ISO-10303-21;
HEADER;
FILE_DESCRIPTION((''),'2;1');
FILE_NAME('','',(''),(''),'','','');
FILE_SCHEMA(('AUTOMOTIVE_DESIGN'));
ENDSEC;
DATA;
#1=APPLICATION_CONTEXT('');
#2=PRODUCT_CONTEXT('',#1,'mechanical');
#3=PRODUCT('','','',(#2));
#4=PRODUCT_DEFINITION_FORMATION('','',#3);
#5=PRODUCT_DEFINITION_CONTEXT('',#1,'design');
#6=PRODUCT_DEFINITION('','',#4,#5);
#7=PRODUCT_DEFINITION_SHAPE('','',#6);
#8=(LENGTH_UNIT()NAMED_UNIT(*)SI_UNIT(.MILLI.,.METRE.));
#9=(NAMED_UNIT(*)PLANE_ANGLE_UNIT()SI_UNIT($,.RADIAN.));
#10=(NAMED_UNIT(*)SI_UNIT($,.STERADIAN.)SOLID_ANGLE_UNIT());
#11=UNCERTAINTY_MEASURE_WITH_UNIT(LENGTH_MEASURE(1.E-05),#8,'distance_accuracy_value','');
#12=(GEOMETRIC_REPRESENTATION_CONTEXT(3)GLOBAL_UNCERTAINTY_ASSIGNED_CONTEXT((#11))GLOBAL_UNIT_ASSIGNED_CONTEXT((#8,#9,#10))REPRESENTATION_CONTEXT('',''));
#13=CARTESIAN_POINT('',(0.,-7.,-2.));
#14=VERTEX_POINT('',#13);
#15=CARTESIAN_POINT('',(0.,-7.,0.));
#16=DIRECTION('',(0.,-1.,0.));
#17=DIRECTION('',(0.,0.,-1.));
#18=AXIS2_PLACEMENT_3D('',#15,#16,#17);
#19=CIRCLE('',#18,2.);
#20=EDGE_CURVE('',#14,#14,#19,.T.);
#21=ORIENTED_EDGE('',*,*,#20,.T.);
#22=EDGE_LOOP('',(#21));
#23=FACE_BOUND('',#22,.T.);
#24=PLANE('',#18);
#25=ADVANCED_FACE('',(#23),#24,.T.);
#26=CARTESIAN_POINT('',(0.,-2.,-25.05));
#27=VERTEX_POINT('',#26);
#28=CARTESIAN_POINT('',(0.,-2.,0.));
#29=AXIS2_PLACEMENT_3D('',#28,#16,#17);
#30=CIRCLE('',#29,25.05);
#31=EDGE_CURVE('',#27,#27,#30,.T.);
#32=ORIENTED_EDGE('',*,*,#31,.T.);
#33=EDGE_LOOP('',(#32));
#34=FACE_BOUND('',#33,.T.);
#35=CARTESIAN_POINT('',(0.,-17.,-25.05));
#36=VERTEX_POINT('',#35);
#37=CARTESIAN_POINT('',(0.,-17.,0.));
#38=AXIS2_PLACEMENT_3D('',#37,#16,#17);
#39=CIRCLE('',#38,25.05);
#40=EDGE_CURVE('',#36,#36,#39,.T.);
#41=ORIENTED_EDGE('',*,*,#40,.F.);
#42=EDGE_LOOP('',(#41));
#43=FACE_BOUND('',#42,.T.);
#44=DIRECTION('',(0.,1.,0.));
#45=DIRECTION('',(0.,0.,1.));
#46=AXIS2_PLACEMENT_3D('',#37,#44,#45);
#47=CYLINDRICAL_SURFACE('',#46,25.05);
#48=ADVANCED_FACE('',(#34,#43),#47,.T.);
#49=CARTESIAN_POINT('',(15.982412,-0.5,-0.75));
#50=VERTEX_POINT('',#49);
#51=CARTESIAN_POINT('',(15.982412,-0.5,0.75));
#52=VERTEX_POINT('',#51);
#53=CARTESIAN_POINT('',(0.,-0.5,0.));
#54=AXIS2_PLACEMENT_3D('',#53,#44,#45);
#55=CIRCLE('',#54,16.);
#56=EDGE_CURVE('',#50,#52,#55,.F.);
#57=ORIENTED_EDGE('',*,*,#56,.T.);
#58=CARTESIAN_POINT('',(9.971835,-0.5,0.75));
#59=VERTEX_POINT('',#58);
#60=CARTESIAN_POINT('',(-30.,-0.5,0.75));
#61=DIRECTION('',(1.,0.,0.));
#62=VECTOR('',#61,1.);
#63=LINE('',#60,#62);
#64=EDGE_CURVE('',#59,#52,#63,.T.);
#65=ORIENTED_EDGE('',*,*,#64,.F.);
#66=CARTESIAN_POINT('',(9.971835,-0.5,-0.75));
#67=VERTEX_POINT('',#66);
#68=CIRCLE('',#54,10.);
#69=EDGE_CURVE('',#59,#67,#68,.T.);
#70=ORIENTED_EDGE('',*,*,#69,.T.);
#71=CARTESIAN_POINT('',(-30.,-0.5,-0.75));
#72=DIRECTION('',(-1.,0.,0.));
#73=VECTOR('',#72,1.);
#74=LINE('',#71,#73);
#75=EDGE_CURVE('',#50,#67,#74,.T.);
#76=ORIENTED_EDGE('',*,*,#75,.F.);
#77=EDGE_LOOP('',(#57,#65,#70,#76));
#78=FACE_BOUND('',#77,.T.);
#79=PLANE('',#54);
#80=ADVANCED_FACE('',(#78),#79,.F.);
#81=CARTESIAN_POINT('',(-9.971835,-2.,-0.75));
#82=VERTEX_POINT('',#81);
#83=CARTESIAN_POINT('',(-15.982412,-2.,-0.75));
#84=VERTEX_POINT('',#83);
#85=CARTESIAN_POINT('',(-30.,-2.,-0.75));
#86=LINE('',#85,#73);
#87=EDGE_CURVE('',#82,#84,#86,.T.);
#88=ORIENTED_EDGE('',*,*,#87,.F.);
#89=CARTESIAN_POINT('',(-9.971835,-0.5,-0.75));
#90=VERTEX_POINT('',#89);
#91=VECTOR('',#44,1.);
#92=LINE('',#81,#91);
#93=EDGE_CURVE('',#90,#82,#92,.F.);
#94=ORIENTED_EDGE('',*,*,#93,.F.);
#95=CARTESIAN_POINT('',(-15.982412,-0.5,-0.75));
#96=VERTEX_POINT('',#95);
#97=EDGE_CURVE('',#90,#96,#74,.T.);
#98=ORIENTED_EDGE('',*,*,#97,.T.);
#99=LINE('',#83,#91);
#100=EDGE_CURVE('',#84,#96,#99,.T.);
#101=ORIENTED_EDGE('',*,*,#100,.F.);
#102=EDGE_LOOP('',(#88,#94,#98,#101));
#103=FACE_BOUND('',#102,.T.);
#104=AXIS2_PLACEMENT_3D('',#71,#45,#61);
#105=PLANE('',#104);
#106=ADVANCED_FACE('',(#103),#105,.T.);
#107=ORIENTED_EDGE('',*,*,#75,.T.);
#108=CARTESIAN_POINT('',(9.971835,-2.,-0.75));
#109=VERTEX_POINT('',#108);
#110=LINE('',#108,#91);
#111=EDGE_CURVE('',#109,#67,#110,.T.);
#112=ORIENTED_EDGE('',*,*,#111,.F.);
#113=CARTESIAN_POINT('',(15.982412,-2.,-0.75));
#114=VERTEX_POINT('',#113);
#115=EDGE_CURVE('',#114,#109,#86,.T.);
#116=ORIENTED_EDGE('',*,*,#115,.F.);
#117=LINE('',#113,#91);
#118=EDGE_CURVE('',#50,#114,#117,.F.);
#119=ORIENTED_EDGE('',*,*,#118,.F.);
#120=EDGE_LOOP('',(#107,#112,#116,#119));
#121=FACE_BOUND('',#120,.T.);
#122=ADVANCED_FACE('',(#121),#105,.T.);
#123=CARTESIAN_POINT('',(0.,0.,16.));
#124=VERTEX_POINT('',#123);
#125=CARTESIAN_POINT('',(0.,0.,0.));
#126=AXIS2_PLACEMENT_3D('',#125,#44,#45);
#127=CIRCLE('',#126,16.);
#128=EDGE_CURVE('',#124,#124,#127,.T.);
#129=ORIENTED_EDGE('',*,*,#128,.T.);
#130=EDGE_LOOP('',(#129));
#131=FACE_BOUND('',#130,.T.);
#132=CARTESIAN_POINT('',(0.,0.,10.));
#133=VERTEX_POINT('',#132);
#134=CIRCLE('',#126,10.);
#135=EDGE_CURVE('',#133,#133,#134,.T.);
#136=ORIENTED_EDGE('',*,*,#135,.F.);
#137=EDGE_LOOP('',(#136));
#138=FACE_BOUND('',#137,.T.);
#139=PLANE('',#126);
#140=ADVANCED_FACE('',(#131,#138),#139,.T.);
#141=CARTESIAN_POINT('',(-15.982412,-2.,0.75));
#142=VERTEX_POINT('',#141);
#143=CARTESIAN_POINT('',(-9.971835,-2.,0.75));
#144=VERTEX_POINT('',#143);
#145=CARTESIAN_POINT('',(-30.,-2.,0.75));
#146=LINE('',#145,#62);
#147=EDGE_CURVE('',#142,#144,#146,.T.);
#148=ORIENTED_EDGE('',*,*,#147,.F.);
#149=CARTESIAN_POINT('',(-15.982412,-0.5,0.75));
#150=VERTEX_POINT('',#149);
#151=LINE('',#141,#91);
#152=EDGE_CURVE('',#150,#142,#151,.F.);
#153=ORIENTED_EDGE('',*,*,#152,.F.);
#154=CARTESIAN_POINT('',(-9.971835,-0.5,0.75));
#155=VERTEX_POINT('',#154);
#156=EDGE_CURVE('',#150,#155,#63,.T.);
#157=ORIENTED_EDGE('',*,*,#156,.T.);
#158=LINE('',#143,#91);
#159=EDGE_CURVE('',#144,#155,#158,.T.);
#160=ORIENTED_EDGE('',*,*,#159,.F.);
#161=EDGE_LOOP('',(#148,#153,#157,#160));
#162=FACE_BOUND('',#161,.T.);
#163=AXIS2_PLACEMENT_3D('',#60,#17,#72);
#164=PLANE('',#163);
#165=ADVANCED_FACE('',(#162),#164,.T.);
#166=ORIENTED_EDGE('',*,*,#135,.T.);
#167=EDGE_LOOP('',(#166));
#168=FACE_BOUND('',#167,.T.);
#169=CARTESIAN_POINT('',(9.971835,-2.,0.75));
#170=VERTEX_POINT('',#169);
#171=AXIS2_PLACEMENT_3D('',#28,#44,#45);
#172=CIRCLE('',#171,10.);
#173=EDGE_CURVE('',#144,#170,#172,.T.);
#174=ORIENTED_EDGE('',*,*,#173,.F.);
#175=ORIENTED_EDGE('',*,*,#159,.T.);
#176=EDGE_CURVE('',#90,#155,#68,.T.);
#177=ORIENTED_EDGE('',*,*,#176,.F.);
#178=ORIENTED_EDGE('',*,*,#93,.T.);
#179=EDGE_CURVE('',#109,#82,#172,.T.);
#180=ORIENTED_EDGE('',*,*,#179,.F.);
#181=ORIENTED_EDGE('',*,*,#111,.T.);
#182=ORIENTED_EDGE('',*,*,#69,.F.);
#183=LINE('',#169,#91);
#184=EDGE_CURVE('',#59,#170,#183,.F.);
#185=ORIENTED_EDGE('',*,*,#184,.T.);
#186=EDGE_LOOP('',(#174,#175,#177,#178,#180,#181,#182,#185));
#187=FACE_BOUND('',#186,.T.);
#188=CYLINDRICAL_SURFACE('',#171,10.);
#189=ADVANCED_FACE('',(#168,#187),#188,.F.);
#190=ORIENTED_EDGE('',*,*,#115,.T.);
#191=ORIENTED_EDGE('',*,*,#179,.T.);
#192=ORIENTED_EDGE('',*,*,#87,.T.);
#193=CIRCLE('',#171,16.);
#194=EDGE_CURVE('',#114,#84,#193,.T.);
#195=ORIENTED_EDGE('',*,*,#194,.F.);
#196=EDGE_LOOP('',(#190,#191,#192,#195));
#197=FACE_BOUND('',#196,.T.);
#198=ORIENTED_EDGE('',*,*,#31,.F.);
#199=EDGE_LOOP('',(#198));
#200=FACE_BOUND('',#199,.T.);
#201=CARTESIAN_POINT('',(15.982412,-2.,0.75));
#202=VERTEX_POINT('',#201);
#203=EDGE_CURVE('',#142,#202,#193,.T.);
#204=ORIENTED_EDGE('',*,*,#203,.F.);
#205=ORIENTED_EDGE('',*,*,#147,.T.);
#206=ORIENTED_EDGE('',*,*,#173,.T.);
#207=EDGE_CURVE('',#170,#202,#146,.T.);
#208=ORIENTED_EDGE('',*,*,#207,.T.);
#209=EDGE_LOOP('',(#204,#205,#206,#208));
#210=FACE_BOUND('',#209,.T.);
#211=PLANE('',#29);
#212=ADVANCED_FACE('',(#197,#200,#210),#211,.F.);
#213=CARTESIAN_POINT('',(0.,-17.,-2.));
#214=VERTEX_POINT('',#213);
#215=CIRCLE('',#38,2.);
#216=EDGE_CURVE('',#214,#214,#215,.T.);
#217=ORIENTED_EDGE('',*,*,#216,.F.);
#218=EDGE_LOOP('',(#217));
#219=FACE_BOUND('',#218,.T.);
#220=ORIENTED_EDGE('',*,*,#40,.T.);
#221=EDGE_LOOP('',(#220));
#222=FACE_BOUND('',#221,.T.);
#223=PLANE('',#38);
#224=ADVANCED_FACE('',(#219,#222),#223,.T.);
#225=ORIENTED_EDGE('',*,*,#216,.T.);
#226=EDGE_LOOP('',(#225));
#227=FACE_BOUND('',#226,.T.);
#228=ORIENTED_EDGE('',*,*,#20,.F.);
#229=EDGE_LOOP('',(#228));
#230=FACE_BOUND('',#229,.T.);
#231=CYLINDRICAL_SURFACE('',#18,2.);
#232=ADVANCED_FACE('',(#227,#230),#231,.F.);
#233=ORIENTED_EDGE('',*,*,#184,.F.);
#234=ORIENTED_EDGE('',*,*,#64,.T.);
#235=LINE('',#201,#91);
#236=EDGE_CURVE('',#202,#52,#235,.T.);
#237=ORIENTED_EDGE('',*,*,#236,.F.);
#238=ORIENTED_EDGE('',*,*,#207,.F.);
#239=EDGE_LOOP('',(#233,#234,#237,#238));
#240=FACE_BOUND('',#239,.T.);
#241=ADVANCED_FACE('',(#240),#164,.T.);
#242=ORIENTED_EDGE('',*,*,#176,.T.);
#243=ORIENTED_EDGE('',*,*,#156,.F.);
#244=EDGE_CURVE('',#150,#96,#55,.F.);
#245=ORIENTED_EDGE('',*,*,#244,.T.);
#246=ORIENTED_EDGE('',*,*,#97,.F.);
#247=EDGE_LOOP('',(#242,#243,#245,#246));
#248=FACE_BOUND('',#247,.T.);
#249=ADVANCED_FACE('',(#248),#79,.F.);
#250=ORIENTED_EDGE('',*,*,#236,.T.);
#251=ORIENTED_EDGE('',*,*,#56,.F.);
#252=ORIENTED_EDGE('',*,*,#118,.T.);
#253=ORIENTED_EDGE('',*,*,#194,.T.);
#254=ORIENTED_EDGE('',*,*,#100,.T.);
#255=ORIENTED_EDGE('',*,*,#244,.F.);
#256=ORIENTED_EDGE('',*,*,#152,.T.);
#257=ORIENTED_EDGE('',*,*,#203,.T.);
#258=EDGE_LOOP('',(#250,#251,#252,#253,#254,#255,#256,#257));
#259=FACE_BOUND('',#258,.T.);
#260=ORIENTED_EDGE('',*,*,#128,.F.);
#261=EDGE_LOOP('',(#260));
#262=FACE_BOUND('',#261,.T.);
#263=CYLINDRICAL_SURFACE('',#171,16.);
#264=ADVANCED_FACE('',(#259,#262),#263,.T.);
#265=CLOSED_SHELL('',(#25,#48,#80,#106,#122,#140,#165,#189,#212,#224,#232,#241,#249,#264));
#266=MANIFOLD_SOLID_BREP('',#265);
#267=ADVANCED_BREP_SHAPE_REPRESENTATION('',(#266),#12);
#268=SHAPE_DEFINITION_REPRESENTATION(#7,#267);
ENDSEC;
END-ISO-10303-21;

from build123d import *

# Parameters (mm, degrees)
SKETCH_1_R          = 16
EXTRUDE_1_DEPTH     = 2
SKETCH_2_R          = 25.05
EXTRUDE_2_DEPTH     = 15
SKETCH_4_R          = 2
CUT_EXTRUDE_1_DEPTH = 10
SKETCH_6_W          = 60
SKETCH_6_H          = 1.5
CUT_EXTRUDE_2_DEPTH = 1.5
SKETCH_8_R          = 10
CUT_EXTRUDE_3_DEPTH = 2


with BuildPart() as part:
    # 草图1 → 凸台-拉伸1 (new body)
    with BuildSketch(Plane(origin=(0, 0, 0), x_dir=(1, 0, 0), z_dir=(0, 1, 0))):
        with Locations(Location((0, 0, 0), (0, 0, 270))):
            Circle(SKETCH_1_R)
    extrude(amount=-EXTRUDE_1_DEPTH)

    # 草图2 → 凸台-拉伸2 (add)
    with BuildSketch(Plane.XZ.offset(2)):
        with Locations(Location((0, 0, 0), (0, 0, 270))):
            Circle(SKETCH_2_R)
    extrude(amount=EXTRUDE_2_DEPTH)

    # 草图4 → 切除-拉伸1 (cut)
    with BuildSketch(Plane.XZ.offset(17)):
        with Locations(Location((0, 0, 0), (0, 0, 270))):
            Circle(SKETCH_4_R)
    extrude(amount=-CUT_EXTRUDE_1_DEPTH, mode=Mode.SUBTRACT)

    # 草图6 → 切除-拉伸2 (cut)
    with BuildSketch(Plane(origin=(0, -2, 0), x_dir=(1, 0, 0), z_dir=(0, 1, 0))):
        Rectangle(SKETCH_6_W, SKETCH_6_H)
    extrude(amount=CUT_EXTRUDE_2_DEPTH, mode=Mode.SUBTRACT)

    # 草图8 → 切除-拉伸3 (cut)
    with BuildSketch(Plane(origin=(0, 0, 0), x_dir=(1, 0, 0), z_dir=(0, 1, 0))):
        with Locations(Location((0, 0, 0), (0, 0, 270))):
            Circle(SKETCH_8_R)
    extrude(amount=-CUT_EXTRUDE_3_DEPTH, mode=Mode.SUBTRACT)


solid = part.part
